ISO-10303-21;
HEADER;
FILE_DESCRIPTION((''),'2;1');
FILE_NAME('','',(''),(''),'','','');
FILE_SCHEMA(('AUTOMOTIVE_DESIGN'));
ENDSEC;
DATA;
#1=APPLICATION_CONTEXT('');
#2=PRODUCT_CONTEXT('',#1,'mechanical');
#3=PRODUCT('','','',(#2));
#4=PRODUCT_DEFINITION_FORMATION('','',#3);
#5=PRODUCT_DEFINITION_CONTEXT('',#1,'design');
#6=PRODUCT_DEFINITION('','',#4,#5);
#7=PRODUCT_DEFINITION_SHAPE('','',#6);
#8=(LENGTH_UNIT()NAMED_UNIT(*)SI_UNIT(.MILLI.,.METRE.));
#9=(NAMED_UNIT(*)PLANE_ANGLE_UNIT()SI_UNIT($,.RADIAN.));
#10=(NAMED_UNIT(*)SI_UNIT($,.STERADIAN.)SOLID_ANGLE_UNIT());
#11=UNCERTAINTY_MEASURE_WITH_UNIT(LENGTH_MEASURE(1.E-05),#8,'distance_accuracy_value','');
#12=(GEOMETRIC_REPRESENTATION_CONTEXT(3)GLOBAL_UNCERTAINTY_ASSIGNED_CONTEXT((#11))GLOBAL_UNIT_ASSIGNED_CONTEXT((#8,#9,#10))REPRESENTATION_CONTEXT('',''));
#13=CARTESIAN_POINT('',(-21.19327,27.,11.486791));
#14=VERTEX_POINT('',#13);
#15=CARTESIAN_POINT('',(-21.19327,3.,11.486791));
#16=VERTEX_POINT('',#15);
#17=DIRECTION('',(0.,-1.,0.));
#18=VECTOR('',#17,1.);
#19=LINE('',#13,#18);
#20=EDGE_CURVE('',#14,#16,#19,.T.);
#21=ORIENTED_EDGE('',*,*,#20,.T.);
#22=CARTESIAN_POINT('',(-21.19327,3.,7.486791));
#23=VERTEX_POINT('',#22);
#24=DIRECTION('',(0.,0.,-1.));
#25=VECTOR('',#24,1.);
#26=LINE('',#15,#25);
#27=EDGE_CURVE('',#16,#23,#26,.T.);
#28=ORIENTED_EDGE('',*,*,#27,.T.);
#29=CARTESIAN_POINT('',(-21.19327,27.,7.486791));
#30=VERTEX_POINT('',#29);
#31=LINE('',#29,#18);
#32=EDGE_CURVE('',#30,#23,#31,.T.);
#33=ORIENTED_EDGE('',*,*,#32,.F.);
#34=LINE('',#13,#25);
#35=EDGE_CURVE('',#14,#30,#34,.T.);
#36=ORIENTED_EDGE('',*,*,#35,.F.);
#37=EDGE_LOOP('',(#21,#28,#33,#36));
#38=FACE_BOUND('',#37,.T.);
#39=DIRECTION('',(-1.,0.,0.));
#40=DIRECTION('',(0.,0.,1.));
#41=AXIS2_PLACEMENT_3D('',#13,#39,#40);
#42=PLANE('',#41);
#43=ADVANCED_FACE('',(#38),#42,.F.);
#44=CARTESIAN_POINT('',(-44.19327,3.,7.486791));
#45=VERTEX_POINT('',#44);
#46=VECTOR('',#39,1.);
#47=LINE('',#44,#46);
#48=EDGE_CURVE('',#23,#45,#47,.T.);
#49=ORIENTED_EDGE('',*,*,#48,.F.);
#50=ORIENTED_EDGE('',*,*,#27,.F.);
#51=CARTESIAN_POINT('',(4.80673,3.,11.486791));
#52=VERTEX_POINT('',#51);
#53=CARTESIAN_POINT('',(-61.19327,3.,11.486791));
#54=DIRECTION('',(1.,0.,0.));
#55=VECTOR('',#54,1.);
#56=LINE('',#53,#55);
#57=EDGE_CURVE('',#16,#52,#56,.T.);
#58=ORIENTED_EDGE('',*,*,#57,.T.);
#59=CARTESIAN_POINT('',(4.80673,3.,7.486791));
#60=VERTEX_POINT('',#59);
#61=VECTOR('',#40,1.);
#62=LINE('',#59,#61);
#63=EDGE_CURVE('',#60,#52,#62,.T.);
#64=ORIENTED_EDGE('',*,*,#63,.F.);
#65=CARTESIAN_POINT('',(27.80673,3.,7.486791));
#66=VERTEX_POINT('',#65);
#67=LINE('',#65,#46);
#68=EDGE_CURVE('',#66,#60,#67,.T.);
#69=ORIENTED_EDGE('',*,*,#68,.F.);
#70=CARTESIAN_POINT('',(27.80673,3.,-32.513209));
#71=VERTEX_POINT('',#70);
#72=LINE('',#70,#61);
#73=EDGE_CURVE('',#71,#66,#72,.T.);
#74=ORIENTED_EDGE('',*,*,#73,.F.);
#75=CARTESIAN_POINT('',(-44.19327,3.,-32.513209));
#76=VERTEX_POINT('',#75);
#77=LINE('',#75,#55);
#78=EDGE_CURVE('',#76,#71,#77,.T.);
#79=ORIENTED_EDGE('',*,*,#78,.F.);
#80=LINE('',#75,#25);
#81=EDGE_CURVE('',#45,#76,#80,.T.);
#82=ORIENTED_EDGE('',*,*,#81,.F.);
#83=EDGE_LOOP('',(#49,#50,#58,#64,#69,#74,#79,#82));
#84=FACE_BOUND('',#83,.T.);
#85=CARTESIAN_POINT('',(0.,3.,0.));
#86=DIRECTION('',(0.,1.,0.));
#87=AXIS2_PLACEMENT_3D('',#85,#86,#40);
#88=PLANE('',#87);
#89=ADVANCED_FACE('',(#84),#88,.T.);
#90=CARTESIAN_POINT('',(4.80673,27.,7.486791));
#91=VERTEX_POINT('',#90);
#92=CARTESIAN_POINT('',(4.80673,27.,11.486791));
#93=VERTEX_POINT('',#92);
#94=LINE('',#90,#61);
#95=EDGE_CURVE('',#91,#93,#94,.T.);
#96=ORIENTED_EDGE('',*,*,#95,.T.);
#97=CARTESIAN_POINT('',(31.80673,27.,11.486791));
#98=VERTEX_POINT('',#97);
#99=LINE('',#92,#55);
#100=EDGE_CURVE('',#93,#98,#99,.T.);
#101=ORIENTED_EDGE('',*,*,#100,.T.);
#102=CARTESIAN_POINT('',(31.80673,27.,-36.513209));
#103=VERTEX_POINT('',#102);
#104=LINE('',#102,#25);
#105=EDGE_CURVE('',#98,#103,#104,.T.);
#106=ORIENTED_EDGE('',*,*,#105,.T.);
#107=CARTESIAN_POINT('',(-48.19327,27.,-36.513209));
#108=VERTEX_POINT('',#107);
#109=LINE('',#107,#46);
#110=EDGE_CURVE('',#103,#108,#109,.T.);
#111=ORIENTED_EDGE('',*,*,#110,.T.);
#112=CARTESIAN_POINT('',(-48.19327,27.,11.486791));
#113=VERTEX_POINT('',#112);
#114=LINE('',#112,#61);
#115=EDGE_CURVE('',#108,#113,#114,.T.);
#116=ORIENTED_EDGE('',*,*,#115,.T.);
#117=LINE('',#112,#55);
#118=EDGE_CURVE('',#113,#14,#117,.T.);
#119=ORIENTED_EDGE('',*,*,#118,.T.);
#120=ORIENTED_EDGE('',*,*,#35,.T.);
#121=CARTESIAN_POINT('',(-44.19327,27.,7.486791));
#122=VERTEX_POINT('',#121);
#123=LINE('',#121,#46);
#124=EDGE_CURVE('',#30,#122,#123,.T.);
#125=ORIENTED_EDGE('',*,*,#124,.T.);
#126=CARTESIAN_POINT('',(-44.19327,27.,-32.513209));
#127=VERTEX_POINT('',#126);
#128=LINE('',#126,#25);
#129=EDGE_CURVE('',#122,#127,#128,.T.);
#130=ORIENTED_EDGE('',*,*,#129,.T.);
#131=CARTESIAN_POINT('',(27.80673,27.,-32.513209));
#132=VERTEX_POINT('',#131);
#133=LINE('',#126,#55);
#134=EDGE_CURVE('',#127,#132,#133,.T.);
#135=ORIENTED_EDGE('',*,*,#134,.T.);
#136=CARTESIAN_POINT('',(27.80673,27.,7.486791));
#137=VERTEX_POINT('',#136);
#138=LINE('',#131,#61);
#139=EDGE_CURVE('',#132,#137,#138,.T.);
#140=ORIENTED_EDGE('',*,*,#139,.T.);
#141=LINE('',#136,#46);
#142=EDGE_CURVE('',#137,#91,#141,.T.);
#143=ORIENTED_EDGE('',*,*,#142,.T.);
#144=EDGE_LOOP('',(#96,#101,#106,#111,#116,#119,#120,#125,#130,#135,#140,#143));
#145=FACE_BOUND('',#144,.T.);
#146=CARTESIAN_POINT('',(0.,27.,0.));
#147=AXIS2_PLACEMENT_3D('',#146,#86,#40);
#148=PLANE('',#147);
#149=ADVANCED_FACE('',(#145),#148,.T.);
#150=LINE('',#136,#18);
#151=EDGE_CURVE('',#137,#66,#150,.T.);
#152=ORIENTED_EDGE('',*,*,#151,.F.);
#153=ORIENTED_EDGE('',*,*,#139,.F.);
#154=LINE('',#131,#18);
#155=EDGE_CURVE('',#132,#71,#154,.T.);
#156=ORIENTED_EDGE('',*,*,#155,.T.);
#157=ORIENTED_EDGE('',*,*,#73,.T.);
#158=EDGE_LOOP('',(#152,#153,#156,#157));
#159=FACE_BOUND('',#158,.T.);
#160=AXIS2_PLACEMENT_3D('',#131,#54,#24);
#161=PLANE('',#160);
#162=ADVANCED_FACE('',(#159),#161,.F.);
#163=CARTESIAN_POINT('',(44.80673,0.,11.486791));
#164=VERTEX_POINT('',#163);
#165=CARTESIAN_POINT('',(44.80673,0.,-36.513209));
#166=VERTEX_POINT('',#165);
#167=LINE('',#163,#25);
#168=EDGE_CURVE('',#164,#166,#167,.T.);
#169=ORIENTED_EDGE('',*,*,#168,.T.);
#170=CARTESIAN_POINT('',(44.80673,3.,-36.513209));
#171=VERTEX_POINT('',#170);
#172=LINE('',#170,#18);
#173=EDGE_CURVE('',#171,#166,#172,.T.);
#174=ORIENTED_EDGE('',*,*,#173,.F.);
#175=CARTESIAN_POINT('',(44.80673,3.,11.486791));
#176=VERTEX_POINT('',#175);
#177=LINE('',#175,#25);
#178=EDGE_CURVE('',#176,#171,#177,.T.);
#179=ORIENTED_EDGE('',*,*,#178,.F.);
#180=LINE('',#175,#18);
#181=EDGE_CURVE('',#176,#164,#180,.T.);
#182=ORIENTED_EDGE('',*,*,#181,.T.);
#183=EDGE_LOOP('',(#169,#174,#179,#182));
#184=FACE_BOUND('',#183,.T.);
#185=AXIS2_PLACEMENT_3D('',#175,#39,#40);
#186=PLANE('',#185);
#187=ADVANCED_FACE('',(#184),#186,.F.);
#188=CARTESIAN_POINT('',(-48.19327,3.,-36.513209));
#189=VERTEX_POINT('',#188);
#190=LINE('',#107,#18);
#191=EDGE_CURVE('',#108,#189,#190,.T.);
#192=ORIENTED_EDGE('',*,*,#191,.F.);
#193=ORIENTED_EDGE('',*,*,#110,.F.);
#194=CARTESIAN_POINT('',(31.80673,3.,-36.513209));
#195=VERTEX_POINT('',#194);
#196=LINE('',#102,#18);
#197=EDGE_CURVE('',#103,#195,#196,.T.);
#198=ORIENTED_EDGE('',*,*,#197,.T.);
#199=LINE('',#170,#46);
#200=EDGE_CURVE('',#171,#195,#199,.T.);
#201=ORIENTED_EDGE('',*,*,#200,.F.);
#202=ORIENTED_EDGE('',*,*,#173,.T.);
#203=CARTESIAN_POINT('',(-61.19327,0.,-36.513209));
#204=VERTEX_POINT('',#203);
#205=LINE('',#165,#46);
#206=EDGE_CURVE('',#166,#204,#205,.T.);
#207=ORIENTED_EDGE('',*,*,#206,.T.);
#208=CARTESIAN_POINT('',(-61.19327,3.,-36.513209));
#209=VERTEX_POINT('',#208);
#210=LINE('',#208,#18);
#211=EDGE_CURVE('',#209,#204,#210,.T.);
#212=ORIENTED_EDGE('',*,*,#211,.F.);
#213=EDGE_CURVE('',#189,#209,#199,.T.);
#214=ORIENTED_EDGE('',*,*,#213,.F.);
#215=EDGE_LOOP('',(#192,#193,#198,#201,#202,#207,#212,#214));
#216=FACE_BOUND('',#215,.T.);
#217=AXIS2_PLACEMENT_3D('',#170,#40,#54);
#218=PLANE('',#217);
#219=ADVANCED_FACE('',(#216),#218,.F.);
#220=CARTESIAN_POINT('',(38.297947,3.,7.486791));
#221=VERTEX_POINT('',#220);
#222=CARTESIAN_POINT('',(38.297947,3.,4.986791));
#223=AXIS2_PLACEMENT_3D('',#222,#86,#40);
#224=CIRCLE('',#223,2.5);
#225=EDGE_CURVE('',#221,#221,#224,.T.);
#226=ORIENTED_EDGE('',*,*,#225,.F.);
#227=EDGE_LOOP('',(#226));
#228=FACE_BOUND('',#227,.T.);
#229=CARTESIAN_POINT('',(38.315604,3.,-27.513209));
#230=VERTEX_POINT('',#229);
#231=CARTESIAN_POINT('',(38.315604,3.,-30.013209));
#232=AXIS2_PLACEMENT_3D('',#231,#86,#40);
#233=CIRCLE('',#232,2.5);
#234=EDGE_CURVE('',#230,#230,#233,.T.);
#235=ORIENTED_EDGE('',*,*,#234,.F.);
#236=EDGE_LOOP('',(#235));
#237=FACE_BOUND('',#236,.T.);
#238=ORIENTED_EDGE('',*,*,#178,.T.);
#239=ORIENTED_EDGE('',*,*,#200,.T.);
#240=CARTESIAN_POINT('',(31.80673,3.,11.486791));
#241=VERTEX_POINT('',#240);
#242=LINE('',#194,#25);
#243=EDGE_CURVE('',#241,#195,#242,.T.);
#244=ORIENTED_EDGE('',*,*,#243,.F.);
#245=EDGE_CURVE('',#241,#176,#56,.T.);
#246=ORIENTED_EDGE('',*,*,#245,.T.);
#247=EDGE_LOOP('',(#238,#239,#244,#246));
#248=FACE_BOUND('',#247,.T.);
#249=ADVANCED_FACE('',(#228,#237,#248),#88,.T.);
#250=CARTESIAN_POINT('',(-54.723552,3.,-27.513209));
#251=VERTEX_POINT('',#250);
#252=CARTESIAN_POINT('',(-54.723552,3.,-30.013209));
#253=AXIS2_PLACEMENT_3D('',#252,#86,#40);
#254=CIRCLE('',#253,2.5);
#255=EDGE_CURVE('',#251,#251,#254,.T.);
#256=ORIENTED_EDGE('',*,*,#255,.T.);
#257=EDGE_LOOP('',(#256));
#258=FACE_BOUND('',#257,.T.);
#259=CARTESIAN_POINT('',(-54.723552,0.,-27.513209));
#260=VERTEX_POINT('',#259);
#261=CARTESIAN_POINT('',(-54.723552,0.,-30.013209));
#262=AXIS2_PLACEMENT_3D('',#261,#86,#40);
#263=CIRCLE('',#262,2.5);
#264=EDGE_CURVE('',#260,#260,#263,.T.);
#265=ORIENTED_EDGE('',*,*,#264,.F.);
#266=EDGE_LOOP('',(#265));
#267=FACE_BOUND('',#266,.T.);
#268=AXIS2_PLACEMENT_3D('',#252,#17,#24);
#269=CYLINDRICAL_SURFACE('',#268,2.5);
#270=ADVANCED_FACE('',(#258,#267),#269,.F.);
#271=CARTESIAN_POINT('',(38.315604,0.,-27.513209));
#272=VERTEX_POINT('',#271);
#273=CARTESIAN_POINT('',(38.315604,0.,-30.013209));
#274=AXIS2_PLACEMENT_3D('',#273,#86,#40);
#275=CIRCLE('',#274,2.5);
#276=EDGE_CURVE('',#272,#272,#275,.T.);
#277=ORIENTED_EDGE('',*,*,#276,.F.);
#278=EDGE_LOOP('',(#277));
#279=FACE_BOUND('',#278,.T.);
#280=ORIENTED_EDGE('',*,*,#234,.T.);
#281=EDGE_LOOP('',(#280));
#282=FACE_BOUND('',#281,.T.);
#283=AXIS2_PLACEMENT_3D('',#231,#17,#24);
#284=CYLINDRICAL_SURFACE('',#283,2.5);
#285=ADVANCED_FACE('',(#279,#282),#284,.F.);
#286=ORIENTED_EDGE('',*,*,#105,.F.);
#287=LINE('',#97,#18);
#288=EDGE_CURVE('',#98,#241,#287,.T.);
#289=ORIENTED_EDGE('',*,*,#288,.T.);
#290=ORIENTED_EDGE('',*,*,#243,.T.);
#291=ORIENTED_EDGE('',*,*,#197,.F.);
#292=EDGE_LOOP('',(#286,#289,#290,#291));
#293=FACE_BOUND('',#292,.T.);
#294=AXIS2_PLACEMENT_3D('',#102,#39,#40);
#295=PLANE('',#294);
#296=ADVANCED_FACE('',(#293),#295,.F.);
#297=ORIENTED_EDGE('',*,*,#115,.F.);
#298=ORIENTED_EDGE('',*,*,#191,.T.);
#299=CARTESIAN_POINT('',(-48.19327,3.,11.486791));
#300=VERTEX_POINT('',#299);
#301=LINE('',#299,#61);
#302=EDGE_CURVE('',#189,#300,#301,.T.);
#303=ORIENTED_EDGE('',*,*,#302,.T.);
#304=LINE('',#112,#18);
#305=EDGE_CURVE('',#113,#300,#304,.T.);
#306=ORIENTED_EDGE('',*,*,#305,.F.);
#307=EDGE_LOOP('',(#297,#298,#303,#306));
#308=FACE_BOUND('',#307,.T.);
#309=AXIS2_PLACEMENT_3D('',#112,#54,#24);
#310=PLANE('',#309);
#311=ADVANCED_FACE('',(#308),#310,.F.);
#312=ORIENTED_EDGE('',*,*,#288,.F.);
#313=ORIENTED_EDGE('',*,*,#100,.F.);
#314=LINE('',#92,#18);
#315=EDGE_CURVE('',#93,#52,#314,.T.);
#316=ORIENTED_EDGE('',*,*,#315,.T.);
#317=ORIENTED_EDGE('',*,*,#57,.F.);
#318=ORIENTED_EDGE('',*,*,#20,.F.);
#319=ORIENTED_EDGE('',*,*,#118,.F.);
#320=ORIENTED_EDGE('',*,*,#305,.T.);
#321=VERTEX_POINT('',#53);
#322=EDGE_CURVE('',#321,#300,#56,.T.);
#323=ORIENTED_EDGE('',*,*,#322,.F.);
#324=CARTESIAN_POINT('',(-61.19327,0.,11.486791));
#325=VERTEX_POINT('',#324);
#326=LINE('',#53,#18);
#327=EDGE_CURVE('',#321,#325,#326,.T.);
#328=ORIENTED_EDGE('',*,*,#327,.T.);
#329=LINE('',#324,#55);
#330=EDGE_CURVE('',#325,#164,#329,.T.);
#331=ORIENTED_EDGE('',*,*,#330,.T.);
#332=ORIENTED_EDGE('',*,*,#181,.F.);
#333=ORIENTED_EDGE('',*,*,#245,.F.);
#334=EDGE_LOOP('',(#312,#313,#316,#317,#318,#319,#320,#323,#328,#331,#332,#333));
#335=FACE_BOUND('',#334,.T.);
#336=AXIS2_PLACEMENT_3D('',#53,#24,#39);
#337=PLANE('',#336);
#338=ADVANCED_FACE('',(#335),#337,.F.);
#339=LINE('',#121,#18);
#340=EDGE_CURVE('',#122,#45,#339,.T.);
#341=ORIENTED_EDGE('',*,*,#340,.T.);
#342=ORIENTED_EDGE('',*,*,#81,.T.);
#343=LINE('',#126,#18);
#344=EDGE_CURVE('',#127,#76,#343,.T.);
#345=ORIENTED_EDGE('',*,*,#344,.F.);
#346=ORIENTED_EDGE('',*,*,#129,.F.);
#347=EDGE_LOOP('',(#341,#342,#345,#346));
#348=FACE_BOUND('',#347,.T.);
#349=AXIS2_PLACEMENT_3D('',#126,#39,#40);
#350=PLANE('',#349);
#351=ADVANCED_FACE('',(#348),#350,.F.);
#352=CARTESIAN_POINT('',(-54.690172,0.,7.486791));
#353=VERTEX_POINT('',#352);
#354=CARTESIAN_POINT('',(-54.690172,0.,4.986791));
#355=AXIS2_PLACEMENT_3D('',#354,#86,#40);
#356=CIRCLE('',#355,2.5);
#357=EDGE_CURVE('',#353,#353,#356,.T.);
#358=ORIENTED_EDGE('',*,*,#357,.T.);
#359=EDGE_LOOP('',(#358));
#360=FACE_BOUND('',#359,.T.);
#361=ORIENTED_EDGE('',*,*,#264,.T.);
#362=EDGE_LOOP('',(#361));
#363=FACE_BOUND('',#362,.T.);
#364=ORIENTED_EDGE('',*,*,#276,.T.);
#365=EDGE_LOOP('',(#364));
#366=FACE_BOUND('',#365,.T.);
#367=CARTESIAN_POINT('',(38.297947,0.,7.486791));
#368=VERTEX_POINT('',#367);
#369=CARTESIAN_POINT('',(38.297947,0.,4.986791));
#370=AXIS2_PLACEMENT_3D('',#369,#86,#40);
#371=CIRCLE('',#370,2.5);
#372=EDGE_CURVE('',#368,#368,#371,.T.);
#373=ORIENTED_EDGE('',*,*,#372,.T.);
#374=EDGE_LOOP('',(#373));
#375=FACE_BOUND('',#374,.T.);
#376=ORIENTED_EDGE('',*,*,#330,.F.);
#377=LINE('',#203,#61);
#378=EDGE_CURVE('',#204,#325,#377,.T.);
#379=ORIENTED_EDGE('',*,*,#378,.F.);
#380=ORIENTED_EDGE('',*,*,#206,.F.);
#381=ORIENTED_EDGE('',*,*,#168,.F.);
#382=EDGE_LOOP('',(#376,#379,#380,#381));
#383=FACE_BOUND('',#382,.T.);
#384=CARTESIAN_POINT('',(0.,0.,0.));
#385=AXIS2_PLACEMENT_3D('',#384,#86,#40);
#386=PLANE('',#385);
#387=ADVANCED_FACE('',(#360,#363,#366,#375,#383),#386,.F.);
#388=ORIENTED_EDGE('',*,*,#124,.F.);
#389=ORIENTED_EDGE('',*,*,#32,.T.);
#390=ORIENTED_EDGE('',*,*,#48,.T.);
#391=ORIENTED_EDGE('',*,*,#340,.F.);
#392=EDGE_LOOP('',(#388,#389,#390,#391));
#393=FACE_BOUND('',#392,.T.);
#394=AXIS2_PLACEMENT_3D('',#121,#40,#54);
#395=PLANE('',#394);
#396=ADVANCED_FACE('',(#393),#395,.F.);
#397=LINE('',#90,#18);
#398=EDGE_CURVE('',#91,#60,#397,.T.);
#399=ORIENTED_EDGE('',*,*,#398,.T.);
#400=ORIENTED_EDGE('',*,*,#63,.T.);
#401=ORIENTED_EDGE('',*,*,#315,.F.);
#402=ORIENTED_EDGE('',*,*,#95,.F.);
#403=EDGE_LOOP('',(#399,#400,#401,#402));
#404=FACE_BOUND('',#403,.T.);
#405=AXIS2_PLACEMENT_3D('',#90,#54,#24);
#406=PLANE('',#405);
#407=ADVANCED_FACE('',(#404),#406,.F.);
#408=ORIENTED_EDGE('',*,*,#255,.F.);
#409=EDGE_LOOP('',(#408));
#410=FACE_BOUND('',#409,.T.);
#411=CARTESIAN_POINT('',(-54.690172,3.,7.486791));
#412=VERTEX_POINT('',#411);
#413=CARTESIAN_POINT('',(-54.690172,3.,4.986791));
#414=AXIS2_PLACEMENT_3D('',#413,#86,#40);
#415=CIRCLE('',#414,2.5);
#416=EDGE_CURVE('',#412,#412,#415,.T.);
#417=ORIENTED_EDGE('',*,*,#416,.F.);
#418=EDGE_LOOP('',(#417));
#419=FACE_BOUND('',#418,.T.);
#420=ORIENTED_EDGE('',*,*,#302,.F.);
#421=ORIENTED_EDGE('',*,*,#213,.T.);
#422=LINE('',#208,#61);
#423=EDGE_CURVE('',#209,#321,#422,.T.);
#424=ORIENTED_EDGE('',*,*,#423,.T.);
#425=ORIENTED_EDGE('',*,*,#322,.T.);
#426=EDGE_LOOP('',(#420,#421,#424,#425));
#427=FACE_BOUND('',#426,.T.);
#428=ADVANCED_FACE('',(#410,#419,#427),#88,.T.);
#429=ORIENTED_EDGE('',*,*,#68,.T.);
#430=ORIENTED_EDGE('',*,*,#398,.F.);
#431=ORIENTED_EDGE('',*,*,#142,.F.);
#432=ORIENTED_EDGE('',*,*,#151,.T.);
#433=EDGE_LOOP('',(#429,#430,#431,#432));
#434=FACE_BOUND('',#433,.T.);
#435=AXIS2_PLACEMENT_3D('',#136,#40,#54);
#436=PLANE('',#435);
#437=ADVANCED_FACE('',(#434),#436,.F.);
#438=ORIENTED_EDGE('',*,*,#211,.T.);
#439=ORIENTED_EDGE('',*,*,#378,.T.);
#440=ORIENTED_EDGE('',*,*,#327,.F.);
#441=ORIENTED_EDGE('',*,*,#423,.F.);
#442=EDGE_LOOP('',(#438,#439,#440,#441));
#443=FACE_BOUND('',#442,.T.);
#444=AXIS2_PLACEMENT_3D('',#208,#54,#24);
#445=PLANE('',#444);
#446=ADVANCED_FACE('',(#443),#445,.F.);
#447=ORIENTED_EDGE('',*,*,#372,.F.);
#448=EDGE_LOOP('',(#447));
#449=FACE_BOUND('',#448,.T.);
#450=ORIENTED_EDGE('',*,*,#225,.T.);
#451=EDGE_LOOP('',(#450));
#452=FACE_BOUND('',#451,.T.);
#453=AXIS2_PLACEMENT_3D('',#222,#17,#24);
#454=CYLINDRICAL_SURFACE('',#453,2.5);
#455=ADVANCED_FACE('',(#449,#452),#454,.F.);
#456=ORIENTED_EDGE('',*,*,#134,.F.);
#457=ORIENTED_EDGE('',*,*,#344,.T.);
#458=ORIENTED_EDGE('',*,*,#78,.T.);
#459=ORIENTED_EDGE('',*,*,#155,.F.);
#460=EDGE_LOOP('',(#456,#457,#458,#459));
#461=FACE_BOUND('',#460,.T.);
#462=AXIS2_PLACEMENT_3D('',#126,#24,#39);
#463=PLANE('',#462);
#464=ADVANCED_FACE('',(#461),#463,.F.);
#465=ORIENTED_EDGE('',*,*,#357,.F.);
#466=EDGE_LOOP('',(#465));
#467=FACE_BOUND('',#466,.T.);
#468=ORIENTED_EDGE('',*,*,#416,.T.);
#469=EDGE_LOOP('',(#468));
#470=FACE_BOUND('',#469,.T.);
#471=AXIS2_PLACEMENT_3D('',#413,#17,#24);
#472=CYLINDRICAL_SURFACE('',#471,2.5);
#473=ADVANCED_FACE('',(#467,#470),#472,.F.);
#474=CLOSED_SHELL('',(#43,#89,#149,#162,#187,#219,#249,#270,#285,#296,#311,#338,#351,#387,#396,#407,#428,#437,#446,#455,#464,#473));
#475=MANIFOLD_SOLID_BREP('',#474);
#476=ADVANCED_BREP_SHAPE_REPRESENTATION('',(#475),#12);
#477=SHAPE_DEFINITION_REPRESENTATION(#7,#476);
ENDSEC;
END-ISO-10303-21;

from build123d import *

# Parameters (mm, degrees)
SKETCH1_W           = 106
SKETCH1_H           = 48
SKETCH1_R           = 2.5
BOSS_EXTRUDE3_DEPTH = 3
BOSS_EXTRUDE4_DEPTH = 24


with BuildPart() as part:
    # Sketch1 → Boss-Extrude3 (new body)
    with BuildSketch(Plane(origin=(0, 0, 0), x_dir=(1, 0, 0), z_dir=(0, 1, 0))):
        with Locations((-8.19327026, 12.513208654)):
            Rectangle(SKETCH1_W, SKETCH1_H)
        with Locations(Location((-54.723551999, 30.013208654, 0), (0, 0, 270))):
            Circle(SKETCH1_R, mode=Mode.SUBTRACT)
        with Locations(Location((-54.690171501, -4.986791346, 0), (0, 0, 270))):
            Circle(SKETCH1_R, mode=Mode.SUBTRACT)
        with Locations(Location((38.31560417, 30.013208654, 0), (0, 0, 270))):
            Circle(SKETCH1_R, mode=Mode.SUBTRACT)
        with Locations(Location((38.297946807, -4.986791346, 0), (0, 0, 270))):
            Circle(SKETCH1_R, mode=Mode.SUBTRACT)
    extrude(amount=BOSS_EXTRUDE3_DEPTH)

    # Sketch3 → Boss-Extrude4 (add)
    with BuildSketch(Plane(origin=(0, 3, 0), x_dir=(1, 0, 0), z_dir=(0, 1, 0))):
        Polygon((-44.19327026, 32.513208654), (-44.19327026, -7.486791346), (-21.19327026, -7.486791346), (-21.19327026, -11.486791346), (-48.19327026, -11.486791346), (-48.19327026, 36.513208654), (31.80672974, 36.513208654), (31.80672974, -11.486791346), (4.80672974, -11.486791346), (4.80672974, -7.486791346), (27.80672974, -7.486791346), (27.80672974, 32.513208654), align=None)
    extrude(amount=BOSS_EXTRUDE4_DEPTH)


solid = part.part
